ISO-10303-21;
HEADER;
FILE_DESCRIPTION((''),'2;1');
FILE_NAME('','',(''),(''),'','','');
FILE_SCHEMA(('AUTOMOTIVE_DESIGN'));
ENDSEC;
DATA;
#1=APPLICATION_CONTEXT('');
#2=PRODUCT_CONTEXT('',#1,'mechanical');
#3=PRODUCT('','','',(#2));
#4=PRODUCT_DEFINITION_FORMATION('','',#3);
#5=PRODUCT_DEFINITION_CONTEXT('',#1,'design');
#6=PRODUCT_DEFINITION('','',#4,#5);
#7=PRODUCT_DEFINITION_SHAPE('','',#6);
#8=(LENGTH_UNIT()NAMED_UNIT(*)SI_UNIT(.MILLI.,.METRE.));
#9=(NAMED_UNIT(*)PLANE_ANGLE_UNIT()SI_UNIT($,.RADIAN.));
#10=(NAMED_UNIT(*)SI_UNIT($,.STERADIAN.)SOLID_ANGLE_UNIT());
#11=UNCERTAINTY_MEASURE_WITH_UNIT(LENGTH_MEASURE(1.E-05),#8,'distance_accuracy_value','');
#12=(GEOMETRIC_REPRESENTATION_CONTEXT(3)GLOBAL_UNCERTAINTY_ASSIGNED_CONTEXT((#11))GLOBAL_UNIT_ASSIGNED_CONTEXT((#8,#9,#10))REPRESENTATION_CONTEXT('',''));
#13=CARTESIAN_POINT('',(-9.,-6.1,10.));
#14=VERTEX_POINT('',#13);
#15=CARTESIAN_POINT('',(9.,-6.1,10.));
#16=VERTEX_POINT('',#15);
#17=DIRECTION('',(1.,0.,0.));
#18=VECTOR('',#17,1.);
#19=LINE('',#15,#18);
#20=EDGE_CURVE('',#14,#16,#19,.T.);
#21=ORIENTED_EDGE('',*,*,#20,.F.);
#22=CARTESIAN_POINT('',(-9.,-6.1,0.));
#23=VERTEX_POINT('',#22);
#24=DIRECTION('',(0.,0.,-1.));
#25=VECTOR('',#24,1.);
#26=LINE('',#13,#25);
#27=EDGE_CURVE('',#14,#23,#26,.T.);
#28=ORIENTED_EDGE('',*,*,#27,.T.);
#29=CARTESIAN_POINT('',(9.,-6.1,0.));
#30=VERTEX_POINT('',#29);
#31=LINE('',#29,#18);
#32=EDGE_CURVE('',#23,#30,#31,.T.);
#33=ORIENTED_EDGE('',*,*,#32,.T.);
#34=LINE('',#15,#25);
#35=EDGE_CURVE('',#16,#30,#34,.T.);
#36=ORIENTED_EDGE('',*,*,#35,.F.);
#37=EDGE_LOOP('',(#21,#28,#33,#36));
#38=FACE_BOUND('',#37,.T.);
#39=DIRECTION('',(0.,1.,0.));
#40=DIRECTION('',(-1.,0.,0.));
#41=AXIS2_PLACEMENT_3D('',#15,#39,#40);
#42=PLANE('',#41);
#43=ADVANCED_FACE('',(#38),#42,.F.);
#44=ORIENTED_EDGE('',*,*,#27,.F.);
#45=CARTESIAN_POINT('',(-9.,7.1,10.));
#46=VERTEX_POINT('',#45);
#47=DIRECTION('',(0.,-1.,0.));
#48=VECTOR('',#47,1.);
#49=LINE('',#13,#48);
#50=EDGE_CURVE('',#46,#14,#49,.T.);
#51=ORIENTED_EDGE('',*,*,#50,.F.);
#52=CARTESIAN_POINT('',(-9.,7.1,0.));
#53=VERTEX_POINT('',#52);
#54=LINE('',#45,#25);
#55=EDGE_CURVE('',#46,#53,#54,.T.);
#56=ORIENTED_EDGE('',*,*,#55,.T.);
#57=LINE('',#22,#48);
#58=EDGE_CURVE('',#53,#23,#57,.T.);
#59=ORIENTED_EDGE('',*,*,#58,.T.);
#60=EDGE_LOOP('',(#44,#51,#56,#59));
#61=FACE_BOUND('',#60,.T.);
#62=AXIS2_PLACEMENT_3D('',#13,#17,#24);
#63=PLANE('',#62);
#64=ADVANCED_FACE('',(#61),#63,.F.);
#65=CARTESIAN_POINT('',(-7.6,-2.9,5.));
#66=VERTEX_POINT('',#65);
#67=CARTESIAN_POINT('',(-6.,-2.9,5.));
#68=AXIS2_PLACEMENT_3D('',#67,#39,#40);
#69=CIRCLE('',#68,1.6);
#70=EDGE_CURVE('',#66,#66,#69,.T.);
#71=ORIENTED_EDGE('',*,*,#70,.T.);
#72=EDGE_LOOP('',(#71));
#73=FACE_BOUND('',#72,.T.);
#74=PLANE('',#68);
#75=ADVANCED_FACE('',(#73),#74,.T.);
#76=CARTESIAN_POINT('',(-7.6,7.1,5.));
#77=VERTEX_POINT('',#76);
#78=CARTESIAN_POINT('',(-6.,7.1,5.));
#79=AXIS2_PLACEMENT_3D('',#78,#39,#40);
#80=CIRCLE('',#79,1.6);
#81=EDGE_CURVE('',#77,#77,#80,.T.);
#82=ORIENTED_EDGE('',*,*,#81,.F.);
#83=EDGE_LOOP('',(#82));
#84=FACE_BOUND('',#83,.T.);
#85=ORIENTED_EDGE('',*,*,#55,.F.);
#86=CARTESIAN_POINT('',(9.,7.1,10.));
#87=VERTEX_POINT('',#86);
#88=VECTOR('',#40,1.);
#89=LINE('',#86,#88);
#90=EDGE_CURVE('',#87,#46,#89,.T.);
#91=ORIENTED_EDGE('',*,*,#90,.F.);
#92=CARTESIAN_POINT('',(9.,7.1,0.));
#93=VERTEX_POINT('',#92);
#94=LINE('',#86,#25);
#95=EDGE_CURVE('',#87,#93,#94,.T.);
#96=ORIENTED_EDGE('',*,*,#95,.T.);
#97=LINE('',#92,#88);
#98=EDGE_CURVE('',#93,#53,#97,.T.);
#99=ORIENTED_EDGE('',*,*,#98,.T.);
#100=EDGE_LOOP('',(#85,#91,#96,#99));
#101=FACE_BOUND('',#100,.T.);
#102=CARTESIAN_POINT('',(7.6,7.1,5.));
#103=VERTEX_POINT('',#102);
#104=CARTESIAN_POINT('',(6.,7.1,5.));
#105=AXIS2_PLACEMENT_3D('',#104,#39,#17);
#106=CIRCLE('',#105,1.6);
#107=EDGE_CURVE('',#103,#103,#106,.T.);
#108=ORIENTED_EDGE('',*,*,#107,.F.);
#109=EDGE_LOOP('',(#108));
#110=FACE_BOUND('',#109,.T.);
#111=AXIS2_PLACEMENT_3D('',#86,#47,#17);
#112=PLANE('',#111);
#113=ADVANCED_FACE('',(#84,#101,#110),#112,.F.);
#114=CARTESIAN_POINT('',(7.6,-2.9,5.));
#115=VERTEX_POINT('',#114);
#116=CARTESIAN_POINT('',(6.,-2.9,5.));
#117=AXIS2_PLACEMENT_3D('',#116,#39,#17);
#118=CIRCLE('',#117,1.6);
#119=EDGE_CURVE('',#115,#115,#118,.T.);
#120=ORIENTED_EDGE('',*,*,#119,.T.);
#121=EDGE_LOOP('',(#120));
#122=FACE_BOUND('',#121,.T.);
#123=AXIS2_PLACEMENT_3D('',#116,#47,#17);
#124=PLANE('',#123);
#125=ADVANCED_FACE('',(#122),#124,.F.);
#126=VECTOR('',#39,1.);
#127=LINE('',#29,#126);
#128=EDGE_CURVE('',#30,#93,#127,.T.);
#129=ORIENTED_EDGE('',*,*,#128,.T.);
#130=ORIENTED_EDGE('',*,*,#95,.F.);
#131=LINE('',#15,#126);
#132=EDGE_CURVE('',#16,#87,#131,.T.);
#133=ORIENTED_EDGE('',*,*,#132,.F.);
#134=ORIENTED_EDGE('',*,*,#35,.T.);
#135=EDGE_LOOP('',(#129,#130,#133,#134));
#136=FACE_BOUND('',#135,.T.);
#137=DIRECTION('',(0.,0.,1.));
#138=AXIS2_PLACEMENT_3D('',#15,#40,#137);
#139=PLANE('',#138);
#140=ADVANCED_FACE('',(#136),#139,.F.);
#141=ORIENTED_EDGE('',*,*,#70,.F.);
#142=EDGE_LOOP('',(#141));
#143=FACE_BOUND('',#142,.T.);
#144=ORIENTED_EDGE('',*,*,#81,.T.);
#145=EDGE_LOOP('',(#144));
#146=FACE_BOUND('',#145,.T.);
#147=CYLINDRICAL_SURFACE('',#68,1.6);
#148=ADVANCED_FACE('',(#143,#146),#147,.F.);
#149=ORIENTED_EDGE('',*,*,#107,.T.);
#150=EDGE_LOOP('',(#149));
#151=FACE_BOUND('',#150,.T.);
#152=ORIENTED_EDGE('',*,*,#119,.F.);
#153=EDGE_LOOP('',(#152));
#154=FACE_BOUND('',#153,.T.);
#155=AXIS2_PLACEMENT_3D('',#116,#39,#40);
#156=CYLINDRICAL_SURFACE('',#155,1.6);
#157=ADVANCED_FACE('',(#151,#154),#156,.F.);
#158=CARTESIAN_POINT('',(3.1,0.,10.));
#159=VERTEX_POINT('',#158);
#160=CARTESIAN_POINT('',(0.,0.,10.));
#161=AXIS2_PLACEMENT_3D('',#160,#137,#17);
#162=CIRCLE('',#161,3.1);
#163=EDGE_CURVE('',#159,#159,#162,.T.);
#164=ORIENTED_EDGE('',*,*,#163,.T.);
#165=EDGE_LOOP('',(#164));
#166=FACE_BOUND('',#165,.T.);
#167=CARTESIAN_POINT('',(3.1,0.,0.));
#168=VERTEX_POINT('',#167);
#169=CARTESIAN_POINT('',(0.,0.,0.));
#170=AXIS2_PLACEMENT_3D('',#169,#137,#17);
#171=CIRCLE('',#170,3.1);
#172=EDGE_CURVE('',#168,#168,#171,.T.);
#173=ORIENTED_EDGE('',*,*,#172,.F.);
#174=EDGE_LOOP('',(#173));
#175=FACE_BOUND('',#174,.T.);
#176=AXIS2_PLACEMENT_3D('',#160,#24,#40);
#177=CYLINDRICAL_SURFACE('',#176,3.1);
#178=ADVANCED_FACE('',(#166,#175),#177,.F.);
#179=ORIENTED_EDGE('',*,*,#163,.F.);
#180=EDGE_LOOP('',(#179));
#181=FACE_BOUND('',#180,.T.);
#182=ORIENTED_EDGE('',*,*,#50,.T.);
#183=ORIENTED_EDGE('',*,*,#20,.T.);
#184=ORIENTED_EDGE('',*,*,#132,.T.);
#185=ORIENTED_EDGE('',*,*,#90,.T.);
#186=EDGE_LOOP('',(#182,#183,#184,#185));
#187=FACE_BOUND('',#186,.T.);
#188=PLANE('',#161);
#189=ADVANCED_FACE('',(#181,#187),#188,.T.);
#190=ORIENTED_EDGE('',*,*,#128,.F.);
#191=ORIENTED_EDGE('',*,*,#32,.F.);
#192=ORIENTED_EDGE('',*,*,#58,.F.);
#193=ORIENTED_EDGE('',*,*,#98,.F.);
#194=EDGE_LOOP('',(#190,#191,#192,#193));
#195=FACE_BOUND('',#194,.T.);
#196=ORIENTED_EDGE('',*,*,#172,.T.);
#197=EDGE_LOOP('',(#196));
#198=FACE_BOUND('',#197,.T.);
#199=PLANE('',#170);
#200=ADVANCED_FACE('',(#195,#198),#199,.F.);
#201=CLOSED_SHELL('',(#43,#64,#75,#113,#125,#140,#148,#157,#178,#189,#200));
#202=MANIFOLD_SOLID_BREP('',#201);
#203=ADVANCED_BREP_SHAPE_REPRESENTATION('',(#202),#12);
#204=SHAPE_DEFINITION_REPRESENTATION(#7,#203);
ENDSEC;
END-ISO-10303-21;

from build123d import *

# Parameters (mm, degrees)
SKETCH_1_W          = 18
SKETCH_1_H          = 13.2
SKETCH_1_R          = 3.1
EXTRUDE_1_DEPTH     = 10
SKETCH_2_R          = 1.6
CUT_EXTRUDE_1_DEPTH = 10


with BuildPart() as part:
    # ｽｹｯﾁ1 → ﾎﾞｽ - 押し出し1 (new body)
    with BuildSketch(Plane.XY):
        with Locations((0, 0.5)):
            Rectangle(SKETCH_1_W, SKETCH_1_H)
        Circle(SKETCH_1_R, mode=Mode.SUBTRACT)
    extrude(amount=EXTRUDE_1_DEPTH)

    # ｽｹｯﾁ2 → ｶｯﾄ - 押し出し1 (cut)
    with BuildSketch(Plane(origin=(0, 7.1, 0), x_dir=(1, 0, 0), z_dir=(0, 1, 0))):
        with Locations(Location((-6, -5, 0), (0, 0, 180))):
            Circle(SKETCH_2_R)
        with Locations((6, -5)):
            Circle(SKETCH_2_R)
    extrude(amount=-CUT_EXTRUDE_1_DEPTH, mode=Mode.SUBTRACT)


solid = part.part
